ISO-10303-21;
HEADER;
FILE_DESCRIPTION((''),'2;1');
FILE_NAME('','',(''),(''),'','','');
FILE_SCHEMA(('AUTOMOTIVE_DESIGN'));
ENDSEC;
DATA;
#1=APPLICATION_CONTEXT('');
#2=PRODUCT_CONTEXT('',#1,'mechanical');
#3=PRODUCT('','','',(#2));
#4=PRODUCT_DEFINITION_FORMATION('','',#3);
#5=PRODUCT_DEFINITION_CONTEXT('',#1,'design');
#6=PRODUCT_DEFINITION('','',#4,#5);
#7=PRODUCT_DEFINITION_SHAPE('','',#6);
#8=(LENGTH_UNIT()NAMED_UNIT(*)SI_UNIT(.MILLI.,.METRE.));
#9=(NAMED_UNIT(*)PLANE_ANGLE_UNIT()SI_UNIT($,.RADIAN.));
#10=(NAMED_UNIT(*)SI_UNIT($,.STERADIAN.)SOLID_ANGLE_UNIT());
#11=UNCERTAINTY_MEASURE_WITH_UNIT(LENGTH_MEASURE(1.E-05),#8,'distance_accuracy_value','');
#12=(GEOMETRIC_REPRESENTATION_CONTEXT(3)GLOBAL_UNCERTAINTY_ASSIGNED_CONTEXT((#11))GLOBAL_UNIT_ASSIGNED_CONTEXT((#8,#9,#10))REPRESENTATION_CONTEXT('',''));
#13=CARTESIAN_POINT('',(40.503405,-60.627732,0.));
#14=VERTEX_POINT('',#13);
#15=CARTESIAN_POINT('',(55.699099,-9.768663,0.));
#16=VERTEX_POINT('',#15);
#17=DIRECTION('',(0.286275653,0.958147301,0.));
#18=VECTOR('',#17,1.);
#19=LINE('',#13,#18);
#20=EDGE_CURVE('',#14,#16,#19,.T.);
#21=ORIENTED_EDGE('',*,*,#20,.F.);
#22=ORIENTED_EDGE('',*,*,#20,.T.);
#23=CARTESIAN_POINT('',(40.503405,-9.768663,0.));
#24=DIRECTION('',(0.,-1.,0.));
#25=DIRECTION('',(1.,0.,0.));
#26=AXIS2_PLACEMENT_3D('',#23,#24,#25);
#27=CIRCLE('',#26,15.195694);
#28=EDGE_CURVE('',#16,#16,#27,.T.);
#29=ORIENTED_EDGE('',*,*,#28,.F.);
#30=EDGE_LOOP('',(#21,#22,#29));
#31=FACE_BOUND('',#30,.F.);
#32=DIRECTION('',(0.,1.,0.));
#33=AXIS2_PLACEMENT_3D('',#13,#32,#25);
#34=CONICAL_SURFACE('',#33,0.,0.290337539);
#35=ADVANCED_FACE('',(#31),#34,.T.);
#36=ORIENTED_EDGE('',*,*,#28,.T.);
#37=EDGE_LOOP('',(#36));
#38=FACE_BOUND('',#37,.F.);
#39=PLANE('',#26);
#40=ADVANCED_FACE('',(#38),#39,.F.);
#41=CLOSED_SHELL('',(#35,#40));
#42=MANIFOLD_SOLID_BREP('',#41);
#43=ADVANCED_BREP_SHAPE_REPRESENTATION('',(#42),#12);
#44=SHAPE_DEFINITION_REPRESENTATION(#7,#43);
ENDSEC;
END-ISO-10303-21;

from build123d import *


with BuildPart() as f1:
    # F0 (on Top) → F1 (revolve)
    with BuildSketch(Plane.XY):
        Polygon((55.699099, -9.768663), (40.503405, -9.768663), (40.503405, -60.627732), align=None)
    revolve(axis=Axis((40.503405, -35.198198, 0), (0, -1, 0)))


solid = f1.part
